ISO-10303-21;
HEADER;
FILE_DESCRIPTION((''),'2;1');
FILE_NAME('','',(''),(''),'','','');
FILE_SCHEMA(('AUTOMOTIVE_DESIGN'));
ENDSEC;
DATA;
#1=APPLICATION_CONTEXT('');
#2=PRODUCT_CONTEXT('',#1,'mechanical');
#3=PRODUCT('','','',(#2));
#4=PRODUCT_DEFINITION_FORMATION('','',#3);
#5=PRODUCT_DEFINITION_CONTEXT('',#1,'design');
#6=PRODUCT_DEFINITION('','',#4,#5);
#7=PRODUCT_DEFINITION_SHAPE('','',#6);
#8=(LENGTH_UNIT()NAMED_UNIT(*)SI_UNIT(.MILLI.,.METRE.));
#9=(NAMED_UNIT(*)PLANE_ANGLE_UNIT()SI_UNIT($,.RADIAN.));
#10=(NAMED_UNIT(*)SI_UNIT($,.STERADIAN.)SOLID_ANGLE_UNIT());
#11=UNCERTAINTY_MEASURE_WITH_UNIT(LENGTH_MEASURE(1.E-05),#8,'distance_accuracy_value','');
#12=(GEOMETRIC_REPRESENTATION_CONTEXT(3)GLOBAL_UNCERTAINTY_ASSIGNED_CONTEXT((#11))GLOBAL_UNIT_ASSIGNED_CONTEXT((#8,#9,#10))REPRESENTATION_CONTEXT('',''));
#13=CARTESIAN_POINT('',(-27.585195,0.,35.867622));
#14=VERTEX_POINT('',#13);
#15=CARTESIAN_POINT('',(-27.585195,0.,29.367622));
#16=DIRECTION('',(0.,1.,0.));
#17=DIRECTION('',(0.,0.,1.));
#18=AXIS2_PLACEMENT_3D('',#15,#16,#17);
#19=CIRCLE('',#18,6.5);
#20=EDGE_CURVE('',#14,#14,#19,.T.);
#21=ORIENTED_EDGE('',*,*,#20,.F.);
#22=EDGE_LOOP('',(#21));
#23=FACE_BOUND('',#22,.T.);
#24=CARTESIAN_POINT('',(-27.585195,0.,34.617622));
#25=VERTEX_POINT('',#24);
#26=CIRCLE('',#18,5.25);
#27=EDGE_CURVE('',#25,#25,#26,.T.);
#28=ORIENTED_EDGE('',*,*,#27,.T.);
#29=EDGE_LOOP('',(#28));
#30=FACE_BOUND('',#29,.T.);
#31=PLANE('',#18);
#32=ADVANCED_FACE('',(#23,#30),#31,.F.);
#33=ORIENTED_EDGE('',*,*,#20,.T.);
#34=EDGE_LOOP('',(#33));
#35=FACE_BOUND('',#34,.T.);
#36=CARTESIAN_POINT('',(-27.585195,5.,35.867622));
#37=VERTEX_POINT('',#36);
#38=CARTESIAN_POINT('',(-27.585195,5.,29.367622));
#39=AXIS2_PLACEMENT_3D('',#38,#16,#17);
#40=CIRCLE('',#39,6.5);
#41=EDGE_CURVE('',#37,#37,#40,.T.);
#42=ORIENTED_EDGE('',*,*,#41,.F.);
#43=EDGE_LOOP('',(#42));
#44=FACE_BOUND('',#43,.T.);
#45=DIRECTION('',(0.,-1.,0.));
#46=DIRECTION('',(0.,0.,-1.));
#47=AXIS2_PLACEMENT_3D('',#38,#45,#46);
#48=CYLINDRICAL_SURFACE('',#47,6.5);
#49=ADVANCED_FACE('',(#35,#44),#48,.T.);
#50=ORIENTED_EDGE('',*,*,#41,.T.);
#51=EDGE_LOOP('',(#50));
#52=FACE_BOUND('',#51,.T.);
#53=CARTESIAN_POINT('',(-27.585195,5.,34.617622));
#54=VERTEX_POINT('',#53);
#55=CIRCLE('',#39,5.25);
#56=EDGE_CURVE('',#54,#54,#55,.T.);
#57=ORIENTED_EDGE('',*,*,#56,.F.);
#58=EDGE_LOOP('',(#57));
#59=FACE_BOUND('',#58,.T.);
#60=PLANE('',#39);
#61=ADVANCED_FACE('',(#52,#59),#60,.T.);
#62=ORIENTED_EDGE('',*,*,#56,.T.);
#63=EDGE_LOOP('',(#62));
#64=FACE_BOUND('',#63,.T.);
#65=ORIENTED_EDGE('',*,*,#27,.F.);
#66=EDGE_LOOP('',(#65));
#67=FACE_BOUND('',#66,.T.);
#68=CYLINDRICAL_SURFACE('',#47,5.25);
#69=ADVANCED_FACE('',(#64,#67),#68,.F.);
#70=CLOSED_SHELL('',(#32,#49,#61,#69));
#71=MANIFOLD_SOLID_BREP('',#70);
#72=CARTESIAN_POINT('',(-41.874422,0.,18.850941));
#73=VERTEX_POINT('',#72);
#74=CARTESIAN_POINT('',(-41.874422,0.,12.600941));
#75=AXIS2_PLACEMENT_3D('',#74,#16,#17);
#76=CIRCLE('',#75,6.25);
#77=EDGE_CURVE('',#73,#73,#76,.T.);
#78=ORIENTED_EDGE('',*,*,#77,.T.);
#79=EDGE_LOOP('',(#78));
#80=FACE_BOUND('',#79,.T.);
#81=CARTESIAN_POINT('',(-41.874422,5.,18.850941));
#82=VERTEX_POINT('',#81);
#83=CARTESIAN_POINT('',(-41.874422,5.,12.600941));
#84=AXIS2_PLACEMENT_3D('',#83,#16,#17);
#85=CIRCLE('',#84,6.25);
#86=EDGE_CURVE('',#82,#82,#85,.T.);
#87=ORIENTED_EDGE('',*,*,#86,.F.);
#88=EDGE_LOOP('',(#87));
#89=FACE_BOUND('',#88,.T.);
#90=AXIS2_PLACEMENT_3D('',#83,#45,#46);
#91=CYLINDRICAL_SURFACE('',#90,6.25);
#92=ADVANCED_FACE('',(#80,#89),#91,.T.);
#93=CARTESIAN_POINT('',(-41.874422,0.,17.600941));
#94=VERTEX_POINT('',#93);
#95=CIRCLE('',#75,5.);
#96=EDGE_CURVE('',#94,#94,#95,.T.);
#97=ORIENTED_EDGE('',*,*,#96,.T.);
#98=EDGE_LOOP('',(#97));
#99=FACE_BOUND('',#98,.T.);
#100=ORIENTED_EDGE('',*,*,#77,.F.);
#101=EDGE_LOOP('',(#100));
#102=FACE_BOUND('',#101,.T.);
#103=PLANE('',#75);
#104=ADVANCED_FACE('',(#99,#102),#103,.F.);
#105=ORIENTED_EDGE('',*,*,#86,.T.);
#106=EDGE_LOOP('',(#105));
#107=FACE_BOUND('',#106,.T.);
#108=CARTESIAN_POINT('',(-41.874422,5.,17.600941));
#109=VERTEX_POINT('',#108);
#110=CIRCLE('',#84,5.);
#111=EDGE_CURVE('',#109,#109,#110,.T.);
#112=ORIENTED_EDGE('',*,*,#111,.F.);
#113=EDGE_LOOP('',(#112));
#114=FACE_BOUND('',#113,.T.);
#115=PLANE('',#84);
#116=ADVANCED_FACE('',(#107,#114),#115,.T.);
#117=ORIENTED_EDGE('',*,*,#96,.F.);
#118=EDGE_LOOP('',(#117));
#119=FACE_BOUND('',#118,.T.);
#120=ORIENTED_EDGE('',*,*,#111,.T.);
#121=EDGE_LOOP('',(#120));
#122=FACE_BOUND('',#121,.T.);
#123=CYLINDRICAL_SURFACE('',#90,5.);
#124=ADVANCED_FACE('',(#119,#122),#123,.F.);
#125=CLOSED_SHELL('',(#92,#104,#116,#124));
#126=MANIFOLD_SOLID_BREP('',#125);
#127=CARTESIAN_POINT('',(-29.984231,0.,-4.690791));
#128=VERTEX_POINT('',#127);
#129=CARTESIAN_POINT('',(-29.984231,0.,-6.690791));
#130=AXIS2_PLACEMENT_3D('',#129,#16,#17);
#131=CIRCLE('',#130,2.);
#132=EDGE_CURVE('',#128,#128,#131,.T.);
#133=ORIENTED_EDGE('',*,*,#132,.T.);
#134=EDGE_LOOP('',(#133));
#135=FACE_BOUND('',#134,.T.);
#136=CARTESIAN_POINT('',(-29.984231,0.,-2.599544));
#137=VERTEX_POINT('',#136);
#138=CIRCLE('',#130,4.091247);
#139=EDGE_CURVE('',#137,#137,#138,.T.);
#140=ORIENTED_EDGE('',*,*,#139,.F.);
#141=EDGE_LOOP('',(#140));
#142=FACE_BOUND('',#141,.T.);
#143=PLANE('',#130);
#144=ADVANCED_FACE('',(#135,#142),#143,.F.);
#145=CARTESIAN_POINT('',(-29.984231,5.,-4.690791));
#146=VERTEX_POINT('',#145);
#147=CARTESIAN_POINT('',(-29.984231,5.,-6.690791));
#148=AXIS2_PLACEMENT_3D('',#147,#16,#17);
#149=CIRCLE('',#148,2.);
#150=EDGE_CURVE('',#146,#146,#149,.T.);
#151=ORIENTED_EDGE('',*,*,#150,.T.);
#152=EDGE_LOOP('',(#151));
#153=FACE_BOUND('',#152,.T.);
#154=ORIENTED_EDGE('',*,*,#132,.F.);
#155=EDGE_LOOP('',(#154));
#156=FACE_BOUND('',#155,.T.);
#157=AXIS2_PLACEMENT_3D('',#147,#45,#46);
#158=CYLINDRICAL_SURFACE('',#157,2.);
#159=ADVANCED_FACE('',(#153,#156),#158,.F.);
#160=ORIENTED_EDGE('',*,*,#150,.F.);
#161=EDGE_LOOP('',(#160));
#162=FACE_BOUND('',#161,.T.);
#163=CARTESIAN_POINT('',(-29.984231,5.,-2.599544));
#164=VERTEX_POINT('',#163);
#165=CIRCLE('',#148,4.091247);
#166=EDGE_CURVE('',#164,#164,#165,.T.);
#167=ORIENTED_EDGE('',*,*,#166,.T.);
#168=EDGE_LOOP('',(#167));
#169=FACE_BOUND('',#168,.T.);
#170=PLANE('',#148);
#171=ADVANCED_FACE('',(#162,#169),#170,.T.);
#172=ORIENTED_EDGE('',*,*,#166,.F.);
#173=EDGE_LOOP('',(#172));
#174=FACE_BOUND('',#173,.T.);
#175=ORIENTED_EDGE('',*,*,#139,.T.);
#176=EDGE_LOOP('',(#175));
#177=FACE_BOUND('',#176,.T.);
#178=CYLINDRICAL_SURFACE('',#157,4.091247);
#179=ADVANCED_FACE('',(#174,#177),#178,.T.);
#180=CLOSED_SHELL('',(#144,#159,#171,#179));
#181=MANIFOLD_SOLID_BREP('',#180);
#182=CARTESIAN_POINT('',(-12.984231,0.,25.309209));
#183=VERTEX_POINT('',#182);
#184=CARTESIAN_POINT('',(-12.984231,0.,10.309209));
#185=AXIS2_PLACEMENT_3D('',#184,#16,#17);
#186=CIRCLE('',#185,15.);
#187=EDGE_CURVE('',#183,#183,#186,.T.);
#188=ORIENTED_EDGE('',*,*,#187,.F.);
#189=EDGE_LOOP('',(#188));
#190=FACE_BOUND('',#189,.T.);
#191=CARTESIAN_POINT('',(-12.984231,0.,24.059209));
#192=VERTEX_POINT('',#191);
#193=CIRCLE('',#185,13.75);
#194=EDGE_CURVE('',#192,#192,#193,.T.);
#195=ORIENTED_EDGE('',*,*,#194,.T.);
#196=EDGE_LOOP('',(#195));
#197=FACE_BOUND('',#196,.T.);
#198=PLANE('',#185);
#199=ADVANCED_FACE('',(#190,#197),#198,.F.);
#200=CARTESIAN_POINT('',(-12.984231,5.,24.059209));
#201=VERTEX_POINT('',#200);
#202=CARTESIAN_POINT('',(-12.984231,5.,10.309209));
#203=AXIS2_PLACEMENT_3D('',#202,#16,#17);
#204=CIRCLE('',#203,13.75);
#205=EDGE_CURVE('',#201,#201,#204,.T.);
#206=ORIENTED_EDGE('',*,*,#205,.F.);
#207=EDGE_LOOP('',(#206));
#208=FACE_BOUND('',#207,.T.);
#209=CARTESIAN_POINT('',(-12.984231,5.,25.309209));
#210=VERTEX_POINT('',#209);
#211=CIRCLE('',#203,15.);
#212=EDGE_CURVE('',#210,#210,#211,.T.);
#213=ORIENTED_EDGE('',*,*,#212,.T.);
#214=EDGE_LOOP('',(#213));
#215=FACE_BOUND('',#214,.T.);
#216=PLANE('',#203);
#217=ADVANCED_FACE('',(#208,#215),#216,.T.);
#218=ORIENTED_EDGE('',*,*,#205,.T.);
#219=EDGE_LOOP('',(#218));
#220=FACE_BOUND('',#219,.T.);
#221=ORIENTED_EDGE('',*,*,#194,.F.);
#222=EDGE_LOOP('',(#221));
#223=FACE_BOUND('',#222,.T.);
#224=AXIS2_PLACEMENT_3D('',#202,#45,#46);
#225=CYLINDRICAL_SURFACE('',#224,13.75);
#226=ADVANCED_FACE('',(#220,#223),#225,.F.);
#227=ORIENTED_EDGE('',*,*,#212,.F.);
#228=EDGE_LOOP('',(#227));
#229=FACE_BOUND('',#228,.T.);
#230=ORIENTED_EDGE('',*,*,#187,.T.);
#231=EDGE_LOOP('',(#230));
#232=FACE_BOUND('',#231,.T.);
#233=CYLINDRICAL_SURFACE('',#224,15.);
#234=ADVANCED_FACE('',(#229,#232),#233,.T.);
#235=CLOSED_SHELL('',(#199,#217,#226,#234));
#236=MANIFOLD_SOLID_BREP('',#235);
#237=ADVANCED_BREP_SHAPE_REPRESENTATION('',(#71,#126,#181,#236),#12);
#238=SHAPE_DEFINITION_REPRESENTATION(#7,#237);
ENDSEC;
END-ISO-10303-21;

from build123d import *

# Parameters (mm, degrees)
SKETCH_1_R        = 15
SKETCH_1_R_2      = 13.75
EXTRUDE_1_DEPTH   = 5
SKETCH_1_R_3      = 6.25
SKETCH_1_R_4      = 5
EXTRUDE_1_2_DEPTH = 5
SKETCH_1_R_5      = 4.09124723
SKETCH_1_R_6      = 2
EXTRUDE_1_3_DEPTH = 5
SKETCH_1_R_7      = 6.5
SKETCH_1_R_8      = 5.25
EXTRUDE_1_4_DEPTH = 5


with BuildPart() as part:
    # 草图1 → 凸台-拉伸1 (new body)
    with BuildSketch(Plane(origin=(0, 0, 0), x_dir=(1, 0, 0), z_dir=(0, 1, 0))):
        with Locations((-12.984231372, -10.309208812)):
            Circle(SKETCH_1_R)
        with Locations((-12.984231372, -10.309208812)):
            Circle(SKETCH_1_R_2, mode=Mode.SUBTRACT)
    extrude(amount=EXTRUDE_1_DEPTH)


with BuildPart() as body_2:
    # 草图1 → Extrude 1 2 (new body)
    with BuildSketch(Plane(origin=(0, 0, 0), x_dir=(1, 0, 0), z_dir=(0, 1, 0))):
        with Locations((-41.874421892, -12.600941392)):
            Circle(SKETCH_1_R_3)
        with Locations((-41.874421892, -12.600941392)):
            Circle(SKETCH_1_R_4, mode=Mode.SUBTRACT)
    extrude(amount=EXTRUDE_1_2_DEPTH)


with BuildPart() as body_3:
    # 草图1 → Extrude 1 3 (new body)
    with BuildSketch(Plane(origin=(0, 0, 0), x_dir=(1, 0, 0), z_dir=(0, 1, 0))):
        with Locations((-29.984231372, 6.690791188)):
            Circle(SKETCH_1_R_5)
        with Locations((-29.984231372, 6.690791188)):
            Circle(SKETCH_1_R_6, mode=Mode.SUBTRACT)
    extrude(amount=EXTRUDE_1_3_DEPTH)


with BuildPart() as body_4:
    # 草图1 → Extrude 1 4 (new body)
    with BuildSketch(Plane(origin=(0, 0, 0), x_dir=(1, 0, 0), z_dir=(0, 1, 0))):
        with Locations((-27.585195105, -29.367622216)):
            Circle(SKETCH_1_R_7)
        with Locations((-27.585195105, -29.367622216)):
            Circle(SKETCH_1_R_8, mode=Mode.SUBTRACT)
    extrude(amount=EXTRUDE_1_4_DEPTH)


solid = Compound([part.part, body_2.part, body_3.part, body_4.part])
